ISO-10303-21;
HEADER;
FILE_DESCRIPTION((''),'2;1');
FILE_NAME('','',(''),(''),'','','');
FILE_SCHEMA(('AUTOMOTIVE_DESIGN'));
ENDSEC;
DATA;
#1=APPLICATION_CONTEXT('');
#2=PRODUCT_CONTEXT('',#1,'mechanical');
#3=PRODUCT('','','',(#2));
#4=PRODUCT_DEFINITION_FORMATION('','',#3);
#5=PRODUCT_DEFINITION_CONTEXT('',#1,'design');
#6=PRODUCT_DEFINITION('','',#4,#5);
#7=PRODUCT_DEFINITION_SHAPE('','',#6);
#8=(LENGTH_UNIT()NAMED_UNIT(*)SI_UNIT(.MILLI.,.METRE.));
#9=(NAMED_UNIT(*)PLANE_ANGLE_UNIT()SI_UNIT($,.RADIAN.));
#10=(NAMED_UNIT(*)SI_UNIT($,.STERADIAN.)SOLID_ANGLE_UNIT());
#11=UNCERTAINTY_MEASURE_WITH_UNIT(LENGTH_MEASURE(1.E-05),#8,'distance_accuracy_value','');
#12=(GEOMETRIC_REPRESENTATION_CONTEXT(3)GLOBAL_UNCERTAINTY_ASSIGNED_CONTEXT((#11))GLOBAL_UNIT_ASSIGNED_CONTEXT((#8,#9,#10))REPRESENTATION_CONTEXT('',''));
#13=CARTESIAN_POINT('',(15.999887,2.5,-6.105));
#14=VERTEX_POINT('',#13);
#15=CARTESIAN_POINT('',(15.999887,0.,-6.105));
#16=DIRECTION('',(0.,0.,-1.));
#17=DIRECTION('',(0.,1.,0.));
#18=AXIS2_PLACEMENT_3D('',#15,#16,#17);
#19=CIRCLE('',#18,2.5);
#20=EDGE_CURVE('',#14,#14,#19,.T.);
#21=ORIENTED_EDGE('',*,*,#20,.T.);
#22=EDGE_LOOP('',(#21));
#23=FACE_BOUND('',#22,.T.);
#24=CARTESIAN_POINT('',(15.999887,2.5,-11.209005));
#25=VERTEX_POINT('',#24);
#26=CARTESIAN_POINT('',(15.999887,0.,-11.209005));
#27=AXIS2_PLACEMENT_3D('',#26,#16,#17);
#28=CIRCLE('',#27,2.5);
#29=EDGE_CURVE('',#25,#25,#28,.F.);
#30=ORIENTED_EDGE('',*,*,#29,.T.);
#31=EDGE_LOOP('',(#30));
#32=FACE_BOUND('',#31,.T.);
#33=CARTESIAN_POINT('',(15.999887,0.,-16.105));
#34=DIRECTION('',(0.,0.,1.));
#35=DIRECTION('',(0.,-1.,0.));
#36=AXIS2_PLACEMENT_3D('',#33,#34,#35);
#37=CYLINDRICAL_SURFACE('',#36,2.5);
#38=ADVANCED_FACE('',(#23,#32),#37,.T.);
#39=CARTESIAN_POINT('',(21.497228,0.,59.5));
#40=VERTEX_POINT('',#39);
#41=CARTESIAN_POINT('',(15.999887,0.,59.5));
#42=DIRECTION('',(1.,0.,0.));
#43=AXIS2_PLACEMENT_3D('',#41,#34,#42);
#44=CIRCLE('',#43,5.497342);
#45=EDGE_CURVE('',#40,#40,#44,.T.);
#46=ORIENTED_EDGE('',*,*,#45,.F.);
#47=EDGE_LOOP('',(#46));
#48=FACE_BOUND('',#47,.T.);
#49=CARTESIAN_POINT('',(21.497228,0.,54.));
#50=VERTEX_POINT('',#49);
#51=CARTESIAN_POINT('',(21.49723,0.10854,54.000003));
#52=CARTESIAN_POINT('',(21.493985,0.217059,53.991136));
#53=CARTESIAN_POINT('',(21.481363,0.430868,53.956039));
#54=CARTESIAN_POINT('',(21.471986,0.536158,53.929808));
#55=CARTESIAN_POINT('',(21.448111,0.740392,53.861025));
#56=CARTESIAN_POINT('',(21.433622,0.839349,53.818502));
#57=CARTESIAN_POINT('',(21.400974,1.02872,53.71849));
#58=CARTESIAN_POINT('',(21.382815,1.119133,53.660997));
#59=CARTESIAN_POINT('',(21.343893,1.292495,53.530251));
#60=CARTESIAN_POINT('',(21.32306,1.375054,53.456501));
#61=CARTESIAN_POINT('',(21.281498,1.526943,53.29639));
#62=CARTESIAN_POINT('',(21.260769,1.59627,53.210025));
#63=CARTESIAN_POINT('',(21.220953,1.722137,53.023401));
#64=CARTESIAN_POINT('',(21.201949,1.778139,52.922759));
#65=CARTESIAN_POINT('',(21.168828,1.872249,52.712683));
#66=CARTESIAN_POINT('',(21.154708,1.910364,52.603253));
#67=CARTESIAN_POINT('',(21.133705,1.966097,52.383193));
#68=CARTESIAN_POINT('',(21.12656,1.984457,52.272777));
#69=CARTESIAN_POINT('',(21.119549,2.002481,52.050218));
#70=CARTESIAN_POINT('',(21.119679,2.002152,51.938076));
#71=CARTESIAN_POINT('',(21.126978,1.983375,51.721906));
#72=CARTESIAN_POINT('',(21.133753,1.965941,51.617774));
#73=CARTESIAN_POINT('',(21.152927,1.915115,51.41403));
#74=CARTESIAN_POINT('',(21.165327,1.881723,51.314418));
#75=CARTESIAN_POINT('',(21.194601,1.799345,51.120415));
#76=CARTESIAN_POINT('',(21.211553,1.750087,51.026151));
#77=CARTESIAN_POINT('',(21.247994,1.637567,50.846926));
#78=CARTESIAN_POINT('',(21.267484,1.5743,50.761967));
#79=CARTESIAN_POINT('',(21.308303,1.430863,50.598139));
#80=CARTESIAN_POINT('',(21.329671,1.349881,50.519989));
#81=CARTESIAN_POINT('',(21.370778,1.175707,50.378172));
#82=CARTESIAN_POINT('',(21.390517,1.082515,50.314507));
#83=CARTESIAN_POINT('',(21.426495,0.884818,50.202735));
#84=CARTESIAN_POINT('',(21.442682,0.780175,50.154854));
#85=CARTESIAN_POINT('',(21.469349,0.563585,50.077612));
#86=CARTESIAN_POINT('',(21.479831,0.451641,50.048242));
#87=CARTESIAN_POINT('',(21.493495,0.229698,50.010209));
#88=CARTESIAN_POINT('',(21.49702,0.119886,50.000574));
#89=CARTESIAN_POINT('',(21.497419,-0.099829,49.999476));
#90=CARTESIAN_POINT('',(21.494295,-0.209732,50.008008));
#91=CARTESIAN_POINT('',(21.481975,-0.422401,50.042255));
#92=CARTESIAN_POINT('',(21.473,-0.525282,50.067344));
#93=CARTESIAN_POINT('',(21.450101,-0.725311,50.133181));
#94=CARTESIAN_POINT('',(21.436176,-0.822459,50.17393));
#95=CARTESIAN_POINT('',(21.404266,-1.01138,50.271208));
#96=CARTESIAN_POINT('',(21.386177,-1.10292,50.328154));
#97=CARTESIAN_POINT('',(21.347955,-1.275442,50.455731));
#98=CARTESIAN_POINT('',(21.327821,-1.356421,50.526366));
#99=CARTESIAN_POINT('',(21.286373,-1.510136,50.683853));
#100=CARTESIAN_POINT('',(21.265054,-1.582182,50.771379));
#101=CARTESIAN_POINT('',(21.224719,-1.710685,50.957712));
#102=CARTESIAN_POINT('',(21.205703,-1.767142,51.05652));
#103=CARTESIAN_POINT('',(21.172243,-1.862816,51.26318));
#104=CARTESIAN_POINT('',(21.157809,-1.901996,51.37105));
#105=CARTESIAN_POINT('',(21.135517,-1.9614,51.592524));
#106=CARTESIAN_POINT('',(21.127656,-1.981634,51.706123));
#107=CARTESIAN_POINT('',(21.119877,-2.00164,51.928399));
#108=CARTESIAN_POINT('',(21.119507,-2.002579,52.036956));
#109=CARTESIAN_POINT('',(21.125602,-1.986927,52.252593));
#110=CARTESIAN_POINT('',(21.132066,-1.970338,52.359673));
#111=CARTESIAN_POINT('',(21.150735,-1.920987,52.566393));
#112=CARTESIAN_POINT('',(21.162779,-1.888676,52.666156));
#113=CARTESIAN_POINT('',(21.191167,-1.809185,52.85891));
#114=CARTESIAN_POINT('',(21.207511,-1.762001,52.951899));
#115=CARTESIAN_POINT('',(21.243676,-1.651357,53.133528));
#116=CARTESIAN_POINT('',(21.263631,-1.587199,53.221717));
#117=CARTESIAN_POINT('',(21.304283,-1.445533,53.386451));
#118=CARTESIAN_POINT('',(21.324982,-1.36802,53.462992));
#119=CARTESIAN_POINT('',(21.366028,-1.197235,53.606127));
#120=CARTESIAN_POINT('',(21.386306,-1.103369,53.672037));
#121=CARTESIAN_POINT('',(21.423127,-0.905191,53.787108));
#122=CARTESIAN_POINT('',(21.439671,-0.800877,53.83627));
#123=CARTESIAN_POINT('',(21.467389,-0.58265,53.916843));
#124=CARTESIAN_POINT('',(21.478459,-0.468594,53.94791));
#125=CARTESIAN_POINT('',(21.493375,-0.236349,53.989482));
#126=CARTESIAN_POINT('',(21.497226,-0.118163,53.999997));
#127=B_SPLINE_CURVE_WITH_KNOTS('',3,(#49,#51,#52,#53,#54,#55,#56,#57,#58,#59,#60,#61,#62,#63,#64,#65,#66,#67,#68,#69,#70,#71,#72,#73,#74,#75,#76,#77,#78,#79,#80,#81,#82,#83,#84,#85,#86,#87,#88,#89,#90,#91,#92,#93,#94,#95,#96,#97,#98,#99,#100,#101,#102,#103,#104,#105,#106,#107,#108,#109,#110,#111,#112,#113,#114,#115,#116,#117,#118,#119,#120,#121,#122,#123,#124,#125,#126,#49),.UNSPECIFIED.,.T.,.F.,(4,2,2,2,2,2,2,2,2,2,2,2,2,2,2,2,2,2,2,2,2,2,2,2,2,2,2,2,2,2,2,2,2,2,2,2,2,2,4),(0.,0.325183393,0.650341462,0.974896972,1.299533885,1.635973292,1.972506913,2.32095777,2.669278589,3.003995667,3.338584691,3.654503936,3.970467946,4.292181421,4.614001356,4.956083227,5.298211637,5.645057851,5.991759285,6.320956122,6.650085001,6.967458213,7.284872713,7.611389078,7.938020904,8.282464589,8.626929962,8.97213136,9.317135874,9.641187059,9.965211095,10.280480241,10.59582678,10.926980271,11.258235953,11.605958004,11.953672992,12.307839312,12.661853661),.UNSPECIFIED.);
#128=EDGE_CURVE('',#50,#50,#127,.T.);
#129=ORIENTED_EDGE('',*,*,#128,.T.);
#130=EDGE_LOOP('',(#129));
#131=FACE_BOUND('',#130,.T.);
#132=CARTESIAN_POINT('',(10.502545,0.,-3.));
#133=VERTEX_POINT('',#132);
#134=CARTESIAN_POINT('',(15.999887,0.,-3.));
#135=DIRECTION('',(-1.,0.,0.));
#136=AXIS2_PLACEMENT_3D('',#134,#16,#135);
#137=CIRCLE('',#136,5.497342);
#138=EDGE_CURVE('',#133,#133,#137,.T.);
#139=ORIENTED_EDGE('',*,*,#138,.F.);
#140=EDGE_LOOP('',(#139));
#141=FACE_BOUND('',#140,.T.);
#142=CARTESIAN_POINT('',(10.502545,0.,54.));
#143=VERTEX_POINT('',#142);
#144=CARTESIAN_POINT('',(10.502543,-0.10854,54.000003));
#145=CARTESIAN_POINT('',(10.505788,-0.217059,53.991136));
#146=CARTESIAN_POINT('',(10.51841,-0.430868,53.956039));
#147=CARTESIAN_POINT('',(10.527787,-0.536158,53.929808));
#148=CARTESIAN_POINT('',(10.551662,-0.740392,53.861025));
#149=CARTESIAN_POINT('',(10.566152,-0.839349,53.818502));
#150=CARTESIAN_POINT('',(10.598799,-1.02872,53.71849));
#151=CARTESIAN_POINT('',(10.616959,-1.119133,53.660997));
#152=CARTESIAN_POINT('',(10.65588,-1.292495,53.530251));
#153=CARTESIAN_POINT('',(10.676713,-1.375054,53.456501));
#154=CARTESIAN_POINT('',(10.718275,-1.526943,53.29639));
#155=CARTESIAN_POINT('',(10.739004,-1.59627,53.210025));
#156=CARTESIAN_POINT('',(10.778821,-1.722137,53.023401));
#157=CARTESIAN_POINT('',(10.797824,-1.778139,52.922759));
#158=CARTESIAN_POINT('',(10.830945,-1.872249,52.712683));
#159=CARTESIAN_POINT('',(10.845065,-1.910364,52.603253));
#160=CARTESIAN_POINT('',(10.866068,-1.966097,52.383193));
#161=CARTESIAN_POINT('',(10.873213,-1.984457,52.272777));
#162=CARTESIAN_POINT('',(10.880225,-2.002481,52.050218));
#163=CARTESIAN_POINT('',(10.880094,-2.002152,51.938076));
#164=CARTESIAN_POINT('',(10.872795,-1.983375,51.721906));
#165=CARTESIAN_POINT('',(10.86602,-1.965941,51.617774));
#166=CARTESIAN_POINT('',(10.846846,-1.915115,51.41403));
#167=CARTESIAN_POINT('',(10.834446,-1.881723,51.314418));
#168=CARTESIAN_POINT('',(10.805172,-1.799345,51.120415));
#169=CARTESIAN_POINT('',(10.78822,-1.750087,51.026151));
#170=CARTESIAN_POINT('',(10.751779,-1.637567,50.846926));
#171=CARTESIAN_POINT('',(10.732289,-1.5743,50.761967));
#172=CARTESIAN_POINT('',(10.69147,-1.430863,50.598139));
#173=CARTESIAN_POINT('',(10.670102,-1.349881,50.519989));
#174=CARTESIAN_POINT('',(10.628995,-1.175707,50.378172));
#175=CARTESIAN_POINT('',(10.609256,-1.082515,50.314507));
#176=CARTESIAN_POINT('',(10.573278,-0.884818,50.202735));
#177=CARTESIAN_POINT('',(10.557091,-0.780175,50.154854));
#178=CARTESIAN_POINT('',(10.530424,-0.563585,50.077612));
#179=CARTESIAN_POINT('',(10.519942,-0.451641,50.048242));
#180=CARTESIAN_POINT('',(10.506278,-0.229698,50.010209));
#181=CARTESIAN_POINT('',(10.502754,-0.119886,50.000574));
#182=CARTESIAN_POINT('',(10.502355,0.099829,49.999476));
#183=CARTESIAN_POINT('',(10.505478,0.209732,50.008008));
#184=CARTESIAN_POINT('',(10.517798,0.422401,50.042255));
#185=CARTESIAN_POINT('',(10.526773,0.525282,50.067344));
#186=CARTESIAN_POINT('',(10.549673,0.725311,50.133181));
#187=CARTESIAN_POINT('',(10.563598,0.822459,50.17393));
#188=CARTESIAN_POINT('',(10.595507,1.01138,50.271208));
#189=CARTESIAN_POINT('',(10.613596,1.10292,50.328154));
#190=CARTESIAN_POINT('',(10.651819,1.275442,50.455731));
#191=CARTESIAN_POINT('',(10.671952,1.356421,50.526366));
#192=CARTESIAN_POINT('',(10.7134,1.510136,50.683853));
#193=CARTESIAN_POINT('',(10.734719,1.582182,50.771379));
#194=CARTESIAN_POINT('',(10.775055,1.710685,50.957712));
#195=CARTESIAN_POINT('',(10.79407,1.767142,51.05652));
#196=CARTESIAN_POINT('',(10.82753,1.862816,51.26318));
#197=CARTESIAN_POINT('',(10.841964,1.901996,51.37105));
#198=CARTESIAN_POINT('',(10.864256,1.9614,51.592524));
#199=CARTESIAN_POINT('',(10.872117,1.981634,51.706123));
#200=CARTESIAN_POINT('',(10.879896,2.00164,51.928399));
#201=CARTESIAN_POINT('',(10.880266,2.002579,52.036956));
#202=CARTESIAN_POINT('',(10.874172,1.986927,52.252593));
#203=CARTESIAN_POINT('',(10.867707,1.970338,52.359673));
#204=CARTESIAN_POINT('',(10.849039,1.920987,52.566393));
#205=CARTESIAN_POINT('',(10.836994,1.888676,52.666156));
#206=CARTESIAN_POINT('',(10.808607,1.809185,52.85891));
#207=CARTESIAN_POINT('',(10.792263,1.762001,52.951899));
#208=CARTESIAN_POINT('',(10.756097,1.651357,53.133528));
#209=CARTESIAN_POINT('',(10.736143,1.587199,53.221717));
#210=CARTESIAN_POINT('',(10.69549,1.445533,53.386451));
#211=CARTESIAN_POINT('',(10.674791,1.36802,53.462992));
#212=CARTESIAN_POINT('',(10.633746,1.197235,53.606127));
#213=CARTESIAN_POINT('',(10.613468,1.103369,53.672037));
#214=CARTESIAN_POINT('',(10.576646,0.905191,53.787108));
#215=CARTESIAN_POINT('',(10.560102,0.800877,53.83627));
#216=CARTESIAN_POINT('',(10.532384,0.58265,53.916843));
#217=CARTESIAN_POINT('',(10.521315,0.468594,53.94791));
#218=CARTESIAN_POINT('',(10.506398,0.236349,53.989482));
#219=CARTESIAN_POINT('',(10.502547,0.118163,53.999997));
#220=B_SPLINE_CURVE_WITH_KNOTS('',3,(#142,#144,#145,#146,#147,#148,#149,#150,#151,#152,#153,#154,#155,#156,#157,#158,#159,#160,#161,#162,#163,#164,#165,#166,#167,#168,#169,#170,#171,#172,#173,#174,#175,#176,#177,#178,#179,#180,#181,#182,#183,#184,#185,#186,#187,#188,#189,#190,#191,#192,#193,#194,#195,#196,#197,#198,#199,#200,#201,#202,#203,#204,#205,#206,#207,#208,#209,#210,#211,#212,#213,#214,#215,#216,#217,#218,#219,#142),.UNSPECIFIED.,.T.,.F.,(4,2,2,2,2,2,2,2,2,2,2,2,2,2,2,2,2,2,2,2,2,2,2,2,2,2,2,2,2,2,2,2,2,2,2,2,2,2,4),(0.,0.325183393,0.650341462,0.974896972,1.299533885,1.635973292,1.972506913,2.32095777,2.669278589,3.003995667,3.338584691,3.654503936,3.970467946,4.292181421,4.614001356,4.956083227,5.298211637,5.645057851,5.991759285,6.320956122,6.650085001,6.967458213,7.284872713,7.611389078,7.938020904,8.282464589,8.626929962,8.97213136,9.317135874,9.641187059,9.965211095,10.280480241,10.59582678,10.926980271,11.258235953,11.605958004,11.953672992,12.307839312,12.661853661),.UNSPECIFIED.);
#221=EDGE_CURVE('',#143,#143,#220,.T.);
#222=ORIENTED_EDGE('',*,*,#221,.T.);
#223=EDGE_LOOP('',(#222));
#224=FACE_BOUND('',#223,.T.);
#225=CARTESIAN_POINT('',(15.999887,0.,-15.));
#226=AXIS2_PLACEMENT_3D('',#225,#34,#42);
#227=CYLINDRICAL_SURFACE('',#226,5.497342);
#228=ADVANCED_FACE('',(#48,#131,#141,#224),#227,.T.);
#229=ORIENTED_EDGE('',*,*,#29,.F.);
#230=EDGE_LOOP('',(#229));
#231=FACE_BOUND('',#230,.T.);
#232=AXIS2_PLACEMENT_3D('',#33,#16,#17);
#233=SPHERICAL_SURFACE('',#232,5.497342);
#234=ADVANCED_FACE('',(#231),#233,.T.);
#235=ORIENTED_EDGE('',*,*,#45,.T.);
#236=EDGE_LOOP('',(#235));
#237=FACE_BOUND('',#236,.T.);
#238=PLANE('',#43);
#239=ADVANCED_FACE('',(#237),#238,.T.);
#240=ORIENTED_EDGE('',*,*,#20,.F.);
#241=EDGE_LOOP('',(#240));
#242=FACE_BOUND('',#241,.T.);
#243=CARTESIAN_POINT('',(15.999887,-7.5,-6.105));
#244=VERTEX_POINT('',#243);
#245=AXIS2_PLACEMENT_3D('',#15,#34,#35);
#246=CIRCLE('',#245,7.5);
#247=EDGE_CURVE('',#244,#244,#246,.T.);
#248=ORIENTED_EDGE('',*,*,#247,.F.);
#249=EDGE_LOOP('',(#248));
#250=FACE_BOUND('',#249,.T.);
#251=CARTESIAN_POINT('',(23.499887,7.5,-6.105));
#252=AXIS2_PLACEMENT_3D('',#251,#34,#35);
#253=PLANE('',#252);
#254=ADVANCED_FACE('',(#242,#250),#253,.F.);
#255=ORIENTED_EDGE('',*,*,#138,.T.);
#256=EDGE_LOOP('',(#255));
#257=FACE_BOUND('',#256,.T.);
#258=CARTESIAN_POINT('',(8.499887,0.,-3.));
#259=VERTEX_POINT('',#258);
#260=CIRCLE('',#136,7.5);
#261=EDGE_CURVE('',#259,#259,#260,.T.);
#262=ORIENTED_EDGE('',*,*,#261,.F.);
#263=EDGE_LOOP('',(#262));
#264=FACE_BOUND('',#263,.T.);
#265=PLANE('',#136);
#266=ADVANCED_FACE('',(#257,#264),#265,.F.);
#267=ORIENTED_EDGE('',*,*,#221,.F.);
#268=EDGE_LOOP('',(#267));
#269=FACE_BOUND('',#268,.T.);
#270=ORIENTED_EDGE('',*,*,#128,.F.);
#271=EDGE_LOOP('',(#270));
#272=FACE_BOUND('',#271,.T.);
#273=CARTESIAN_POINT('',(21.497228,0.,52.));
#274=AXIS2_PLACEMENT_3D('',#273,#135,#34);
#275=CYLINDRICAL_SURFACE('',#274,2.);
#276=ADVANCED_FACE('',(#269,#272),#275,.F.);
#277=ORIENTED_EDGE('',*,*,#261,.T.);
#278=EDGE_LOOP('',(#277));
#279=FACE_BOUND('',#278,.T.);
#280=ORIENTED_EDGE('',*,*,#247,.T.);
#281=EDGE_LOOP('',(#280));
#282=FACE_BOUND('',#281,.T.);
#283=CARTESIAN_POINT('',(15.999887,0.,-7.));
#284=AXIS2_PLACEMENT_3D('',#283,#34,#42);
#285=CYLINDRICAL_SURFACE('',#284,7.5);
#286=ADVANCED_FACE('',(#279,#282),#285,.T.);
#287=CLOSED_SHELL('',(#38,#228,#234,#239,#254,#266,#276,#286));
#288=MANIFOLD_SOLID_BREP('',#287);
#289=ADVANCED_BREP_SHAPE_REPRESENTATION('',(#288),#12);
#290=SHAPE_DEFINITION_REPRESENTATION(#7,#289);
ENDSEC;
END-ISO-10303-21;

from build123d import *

# Parameters (mm, degrees)
RESSALTO_EXTRUS_O1_DEPTH      = 60
RESSALTO_EXTRUS_O1_DEPTH_BACK = 15
ESBO_O1_R                     = 5.497341607
CORTE_EXTRUS_O1_DEPTH         = 71
CORTE_EXTRUS_O1_DEPTH_BACK    = 71
ESBO_O2_R                     = 4
CORTE_EXTRUS_O3_DEPTH         = 64.97149057
CORTE_EXTRUS_O3_DEPTH_BACK    = 64.97149057
ESBO_O8_R                     = 2
RESSALTO_EXTRUS_O5_START      = -12
ESBO_O9_R                     = 7.5
RESSALTO_EXTRUS_O5_DEPTH      = 4
CORTE_EXTRUS_O5_DEPTH         = 65.872911801
ESBO_O12_R                    = 5.497341607
RESSALTO_EXTRUS_O6_DEPTH      = 3.5
ESBO_O14_R                    = 5.497341607
RESSALTO_EXTRUS_O7_DEPTH      = 6
CORTE_EXTRUS_O7_DEPTH         = 65.410749766
CORTE_EXTRUS_O7_DEPTH_BACK    = 65.410749766
ESBO_O16_R                    = 2
CORTE_EXTRUS_O8_DEPTH         = 65.410749766
CORTE_EXTRUS_O8_DEPTH_BACK    = 65.410749766
ESBO_O17_W                    = 10
ESBO_O17_H                    = 5.11854448
RESSALTO_EXTRUS_O8_START      = -14
RESSALTO_EXTRUS_O8_DEPTH      = 14
RESSALTO_EXTRUS_O9_START      = -1.79
RESSALTO_EXTRUS_O9_DEPTH      = 1.79
RESSALTO_EXTRUS_O10_DEPTH     = 2.21
ESBO_O21_R                    = 7.5
RESSALTO_EXTRUS_O11_DEPTH     = 3
CORTE_EXTRUS_O9_DEPTH         = 66.205232537
CORTE_EXTRUS_O9_DEPTH_BACK    = 66.205232537
ESBO_O22_W                    = 15
ESBO_O22_H                    = 25.435957471
ESBO_O23_R                    = 2.5
RESSALTO_EXTRUS_O12_DEPTH     = 10


with BuildPart() as part:
    # Esboço1 → Ressalto-extrusão1 (new, two sides: drawn at the far end of the back side and taken through both)
    with BuildSketch(Plane.XY.offset(-RESSALTO_EXTRUS_O1_DEPTH_BACK)):
        with Locations((15.99988667, 0)):
            Circle(ESBO_O1_R)
    extrude(amount=RESSALTO_EXTRUS_O1_DEPTH + RESSALTO_EXTRUS_O1_DEPTH_BACK)

    # Esboço2 → Corte-extrusão1 (cut, two sides: drawn at the far end of the back side and taken through both)
    with BuildSketch(Plane(origin=(0, 0, 0), x_dir=(0, 0, -1), z_dir=(1, 0, 0)).offset(-CORTE_EXTRUS_O1_DEPTH_BACK)):
        with Locations((-60, 0)):
            Circle(ESBO_O2_R)
    extrude(amount=CORTE_EXTRUS_O1_DEPTH + CORTE_EXTRUS_O1_DEPTH_BACK, mode=Mode.SUBTRACT)

    # Esboço8 → Corte-extrusão3 (cut, two sides: drawn at the far end of the back side and taken through both)
    with BuildSketch(Plane(origin=(0, 0, 0), x_dir=(0, 0, -1), z_dir=(1, 0, 0)).offset(-CORTE_EXTRUS_O3_DEPTH_BACK)):
        with Locations(Location((-52, 0, 0), (0, 0, 180))):
            Circle(ESBO_O8_R)
    extrude(amount=CORTE_EXTRUS_O3_DEPTH + CORTE_EXTRUS_O3_DEPTH_BACK, mode=Mode.SUBTRACT)

    # Esboço9 → Ressalto-extrusão5 (add)
    with BuildSketch(Plane(origin=(0, 0, -15), x_dir=(-1, 0, 0), z_dir=(0, 0, -1)).offset(RESSALTO_EXTRUS_O5_START)):
        with Locations((-15.99988667, 0)):
            Circle(ESBO_O9_R)
    extrude(amount=RESSALTO_EXTRUS_O5_DEPTH)

    # Esboço11 → Corte-extrusão5 (cut, through all)
    with BuildSketch(Plane(origin=(0, 0, 0), x_dir=(0, 0, -1), z_dir=(1, 0, 0))):
        Polygon((-56, -5.497341607), (-56, 0), (-56, 5.497341607), (-60, 5.497341607), (-60, 4), (-60, -5.497341607), align=None)
    extrude(amount=CORTE_EXTRUS_O5_DEPTH, mode=Mode.SUBTRACT)

    # Esboço12 → Ressalto-extrusão6 (add)
    with BuildSketch(Plane.XY.offset(56)):
        with Locations((15.99988667, 0)):
            Circle(ESBO_O12_R)
    extrude(amount=RESSALTO_EXTRUS_O6_DEPTH)

    # Esboço14 → Ressalto-extrusão7 (add)
    with BuildSketch(Plane(origin=(0, 0, -15), x_dir=(-1, 0, 0), z_dir=(0, 0, -1))):
        with Locations(Location((-15.99988667, 0, 0), (0, 0, 180))):
            Circle(ESBO_O14_R)
    extrude(amount=RESSALTO_EXTRUS_O7_DEPTH)

    # Esboço16 → Corte-extrusão7 (cut, two sides: drawn at the far end of the back side and taken through both)
    with BuildSketch(Plane(origin=(0, 0, 0), x_dir=(0, 0, -1), z_dir=(1, 0, 0)).offset(-CORTE_EXTRUS_O7_DEPTH_BACK)):
        with Locations((14.21, 0)):
            Circle(ESBO_O16_R)
    extrude(amount=CORTE_EXTRUS_O7_DEPTH + CORTE_EXTRUS_O7_DEPTH_BACK, mode=Mode.SUBTRACT)

    # Esboço17 → Corte-extrusão8 (cut, two sides: drawn at the far end of the back side and taken through both)
    with BuildSketch(Plane(origin=(0, 0, 0), x_dir=(0, 0, -1), z_dir=(1, 0, 0)).offset(-CORTE_EXTRUS_O8_DEPTH_BACK)):
        with Locations((14.21, -2.55927224)):
            Rectangle(ESBO_O17_W, ESBO_O17_H)
        with Locations((14.21, 2.55927224)):
            Rectangle(ESBO_O17_W, ESBO_O17_H)
    extrude(amount=CORTE_EXTRUS_O8_DEPTH + CORTE_EXTRUS_O8_DEPTH_BACK, mode=Mode.SUBTRACT)

    # Esboço18 → Ressalto-extrusão8 (add)
    with BuildSketch(Plane(origin=(0, 0, -21), x_dir=(-1, 0, 0), z_dir=(0, 0, -1)).offset(RESSALTO_EXTRUS_O8_START)):
        with BuildLine():
            Line((-21.481720524, 5.11854448), (-18.005196408, 5.11854448))
            ThreePointArc((-18.005196408, 5.11854448), (-15.99988667, 5.497341607), (-13.994576931, 5.11854448))
            Line((-13.994576931, 5.11854448), (-10.518052815, 5.11854448))
            ThreePointArc((-10.518052815, 5.11854448), (-15.99988667, 7.5), (-21.481720524, 5.11854448))
        make_face()
        with BuildLine():
            ThreePointArc((-13.994576931, -5.11854448), (-15.99988667, -5.497341607), (-18.005196408, -5.11854448))
            Line((-18.005196408, -5.11854448), (-21.481720524, -5.11854448))
            ThreePointArc((-21.481720524, -5.11854448), (-15.99988667, -7.5), (-10.518052815, -5.11854448))
            Line((-10.518052815, -5.11854448), (-13.994576931, -5.11854448))
        make_face()
    extrude(amount=RESSALTO_EXTRUS_O8_DEPTH)

    # Esboço19 → Ressalto-extrusão9 (add)
    with BuildSketch(Plane(origin=(0, 0, -21), x_dir=(-1, 0, 0), z_dir=(0, 0, -1)).offset(RESSALTO_EXTRUS_O9_START)):
        with BuildLine():
            ThreePointArc((-21.481720524, 5.11854448), (-23.49988667, 0), (-21.481720524, -5.11854448))
            Line((-21.481720524, -5.11854448), (-18.005196408, -5.11854448))
            ThreePointArc((-18.005196408, -5.11854448), (-21.497228276, 0), (-18.005196408, 5.11854448))
            Line((-18.005196408, 5.11854448), (-21.481720524, 5.11854448))
        make_face()
        with BuildLine():
            ThreePointArc((-10.518052815, -5.11854448), (-8.49988667, 0), (-10.518052815, 5.11854448))
            Line((-10.518052815, 5.11854448), (-13.994576931, 5.11854448))
            ThreePointArc((-13.994576931, 5.11854448), (-10.502545063, 0), (-13.994576931, -5.11854448))
            Line((-13.994576931, -5.11854448), (-10.518052815, -5.11854448))
        make_face()
    extrude(amount=RESSALTO_EXTRUS_O9_DEPTH)

    # Esboço20 → Ressalto-extrusão10 (add)
    with BuildSketch(Plane(origin=(0, 0, -7), x_dir=(-1, 0, 0), z_dir=(0, 0, -1))):
        with BuildLine():
            Line((-10.518052815, 5.11854448), (-13.994576931, 5.11854448))
            ThreePointArc((-13.994576931, 5.11854448), (-10.502545063, 0), (-13.994576931, -5.11854448))
            Line((-13.994576931, -5.11854448), (-10.518052815, -5.11854448))
            ThreePointArc((-10.518052815, -5.11854448), (-8.49988667, 0), (-10.518052815, 5.11854448))
        make_face()
        with BuildLine():
            Line((-18.005196408, 5.11854448), (-21.481720524, 5.11854448))
            ThreePointArc((-21.481720524, 5.11854448), (-23.49988667, 0), (-21.481720524, -5.11854448))
            Line((-21.481720524, -5.11854448), (-18.005196408, -5.11854448))
            ThreePointArc((-18.005196408, -5.11854448), (-21.497228276, 0), (-18.005196408, 5.11854448))
        make_face()
    extrude(amount=RESSALTO_EXTRUS_O10_DEPTH)

    # Esboço21 → Ressalto-extrusão11 (add)
    with BuildSketch(Plane(origin=(0, 0, -21), x_dir=(-1, 0, 0), z_dir=(0, 0, -1))):
        with Locations((-15.99988667, 0)):
            Circle(ESBO_O21_R)
    extrude(amount=RESSALTO_EXTRUS_O11_DEPTH)

    # Esboço22 → Corte-extrusão9 (cut, two sides: drawn at the far end of the back side and taken through both)
    with BuildSketch(Plane.XZ.offset(-5.11854448).offset(-CORTE_EXTRUS_O9_DEPTH_BACK)):
        with Locations((15.99988667, -18.822978736)):
            Rectangle(ESBO_O22_W, ESBO_O22_H)
    extrude(amount=CORTE_EXTRUS_O9_DEPTH + CORTE_EXTRUS_O9_DEPTH_BACK, mode=Mode.SUBTRACT)

    # Esboço23 → Ressalto-extrusão12 (add)
    with BuildSketch(Plane(origin=(0, 0, -6.105), x_dir=(-1, 0, 0), z_dir=(0, 0, -1))):
        with Locations(Location((-15.99988667, 0, 0), (0, 0, 90))):
            Circle(ESBO_O23_R)
    extrude(amount=RESSALTO_EXTRUS_O12_DEPTH)

    # Esboço24 → Revolução1 (revolve)
    with BuildSketch(Plane(origin=(0, 0, -16.105), x_dir=(-1, 0, 0), z_dir=(0, 0, -1))):
        with BuildLine():
            Line((-15.99988667, 5.497341607), (-15.99988667, -5.497341607))
            ThreePointArc((-15.99988667, -5.497341607), (-21.497228276, 0), (-15.99988667, 5.497341607))
        make_face()
    revolve(axis=Axis((15.99988667, 5.497341607, -16.105), (0, -1, 0)))


solid = part.part
